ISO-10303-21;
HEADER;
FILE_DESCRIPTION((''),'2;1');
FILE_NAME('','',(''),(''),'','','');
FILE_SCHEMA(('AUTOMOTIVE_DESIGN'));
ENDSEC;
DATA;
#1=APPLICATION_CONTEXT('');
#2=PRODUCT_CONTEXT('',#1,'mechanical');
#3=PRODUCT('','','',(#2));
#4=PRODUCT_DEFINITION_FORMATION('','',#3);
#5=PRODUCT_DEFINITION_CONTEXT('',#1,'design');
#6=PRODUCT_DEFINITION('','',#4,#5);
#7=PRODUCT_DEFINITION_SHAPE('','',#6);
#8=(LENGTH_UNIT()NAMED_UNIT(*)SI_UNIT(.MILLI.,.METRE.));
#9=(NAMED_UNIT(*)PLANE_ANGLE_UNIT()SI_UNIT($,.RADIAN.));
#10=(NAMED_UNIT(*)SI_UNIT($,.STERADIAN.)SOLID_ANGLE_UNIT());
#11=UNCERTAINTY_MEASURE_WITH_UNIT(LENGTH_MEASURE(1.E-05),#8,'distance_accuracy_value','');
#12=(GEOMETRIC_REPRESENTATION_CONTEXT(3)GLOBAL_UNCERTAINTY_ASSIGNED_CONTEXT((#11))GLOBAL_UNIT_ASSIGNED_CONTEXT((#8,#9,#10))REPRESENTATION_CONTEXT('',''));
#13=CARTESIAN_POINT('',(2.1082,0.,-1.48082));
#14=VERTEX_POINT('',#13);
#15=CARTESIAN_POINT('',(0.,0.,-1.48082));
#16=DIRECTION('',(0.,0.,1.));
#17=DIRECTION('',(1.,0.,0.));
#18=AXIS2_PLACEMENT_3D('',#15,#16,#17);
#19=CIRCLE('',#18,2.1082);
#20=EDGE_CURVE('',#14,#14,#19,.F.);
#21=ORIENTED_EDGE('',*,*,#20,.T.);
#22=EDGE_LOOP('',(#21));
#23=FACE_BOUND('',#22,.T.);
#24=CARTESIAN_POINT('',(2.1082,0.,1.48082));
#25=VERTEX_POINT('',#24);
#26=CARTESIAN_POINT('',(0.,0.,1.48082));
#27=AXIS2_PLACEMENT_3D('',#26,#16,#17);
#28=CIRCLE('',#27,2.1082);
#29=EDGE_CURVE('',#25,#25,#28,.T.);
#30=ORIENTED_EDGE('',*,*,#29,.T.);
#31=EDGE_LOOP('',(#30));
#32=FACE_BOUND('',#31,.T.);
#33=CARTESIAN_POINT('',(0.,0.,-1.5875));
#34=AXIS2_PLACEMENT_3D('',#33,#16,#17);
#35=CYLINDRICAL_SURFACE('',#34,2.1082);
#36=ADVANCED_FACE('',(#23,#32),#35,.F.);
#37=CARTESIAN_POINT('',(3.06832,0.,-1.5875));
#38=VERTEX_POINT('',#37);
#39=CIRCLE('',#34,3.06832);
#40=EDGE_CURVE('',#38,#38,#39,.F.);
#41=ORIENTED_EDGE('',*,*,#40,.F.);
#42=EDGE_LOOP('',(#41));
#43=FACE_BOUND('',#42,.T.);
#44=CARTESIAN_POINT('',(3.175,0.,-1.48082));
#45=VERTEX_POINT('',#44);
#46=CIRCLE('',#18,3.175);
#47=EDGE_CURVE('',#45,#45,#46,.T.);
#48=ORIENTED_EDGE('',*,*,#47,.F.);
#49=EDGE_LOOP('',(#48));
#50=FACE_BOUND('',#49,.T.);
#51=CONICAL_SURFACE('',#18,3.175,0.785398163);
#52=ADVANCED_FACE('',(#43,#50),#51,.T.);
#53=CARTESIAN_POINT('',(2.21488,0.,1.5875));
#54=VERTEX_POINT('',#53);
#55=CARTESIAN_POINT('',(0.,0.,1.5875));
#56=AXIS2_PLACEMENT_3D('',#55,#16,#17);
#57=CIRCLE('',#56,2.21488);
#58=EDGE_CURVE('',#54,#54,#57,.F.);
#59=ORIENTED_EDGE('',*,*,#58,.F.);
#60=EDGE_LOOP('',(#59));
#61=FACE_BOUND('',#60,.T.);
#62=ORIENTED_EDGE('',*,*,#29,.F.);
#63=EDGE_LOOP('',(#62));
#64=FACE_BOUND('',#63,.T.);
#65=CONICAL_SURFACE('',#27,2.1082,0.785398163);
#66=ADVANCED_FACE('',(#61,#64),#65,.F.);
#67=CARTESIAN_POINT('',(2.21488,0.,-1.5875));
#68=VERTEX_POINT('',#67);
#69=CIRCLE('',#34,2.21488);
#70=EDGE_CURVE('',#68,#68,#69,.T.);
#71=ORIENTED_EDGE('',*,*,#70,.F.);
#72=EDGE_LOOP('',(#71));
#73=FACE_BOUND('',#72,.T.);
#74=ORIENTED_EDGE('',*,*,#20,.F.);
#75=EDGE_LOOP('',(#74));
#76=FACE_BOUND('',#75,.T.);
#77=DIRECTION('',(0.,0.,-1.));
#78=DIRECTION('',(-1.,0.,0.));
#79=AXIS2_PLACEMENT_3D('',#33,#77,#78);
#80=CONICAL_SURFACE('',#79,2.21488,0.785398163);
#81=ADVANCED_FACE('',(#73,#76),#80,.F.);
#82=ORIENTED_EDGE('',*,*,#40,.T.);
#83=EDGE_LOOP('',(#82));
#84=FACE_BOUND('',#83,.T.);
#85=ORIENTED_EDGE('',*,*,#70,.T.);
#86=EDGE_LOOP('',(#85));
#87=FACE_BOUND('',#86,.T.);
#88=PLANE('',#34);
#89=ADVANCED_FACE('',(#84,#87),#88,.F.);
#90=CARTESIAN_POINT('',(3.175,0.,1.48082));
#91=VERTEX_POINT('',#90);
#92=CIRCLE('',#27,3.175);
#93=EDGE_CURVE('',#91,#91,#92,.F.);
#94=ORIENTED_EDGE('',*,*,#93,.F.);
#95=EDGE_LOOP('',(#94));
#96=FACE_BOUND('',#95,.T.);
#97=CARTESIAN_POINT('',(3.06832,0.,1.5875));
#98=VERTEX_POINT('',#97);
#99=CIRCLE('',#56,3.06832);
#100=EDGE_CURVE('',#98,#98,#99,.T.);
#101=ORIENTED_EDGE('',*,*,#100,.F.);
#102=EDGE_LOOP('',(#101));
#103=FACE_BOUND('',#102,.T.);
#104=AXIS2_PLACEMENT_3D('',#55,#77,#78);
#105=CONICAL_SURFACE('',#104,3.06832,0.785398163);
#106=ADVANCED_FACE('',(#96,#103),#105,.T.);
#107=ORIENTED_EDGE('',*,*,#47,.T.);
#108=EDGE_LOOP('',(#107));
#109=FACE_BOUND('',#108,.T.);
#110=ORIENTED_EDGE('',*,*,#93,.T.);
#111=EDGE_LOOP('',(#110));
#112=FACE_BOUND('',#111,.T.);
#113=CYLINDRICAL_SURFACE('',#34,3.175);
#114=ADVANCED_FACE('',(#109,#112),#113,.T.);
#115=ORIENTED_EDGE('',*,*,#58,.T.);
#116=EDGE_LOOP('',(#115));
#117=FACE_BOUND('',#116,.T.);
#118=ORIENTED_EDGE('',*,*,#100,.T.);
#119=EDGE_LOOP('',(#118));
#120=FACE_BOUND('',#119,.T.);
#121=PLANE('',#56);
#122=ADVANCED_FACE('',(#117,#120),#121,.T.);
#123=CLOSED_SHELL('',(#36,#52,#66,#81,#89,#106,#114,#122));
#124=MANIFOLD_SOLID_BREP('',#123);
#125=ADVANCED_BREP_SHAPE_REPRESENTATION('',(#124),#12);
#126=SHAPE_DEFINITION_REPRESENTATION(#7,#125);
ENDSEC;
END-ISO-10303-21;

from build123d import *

# Parameters (mm, degrees)
BOSS_EXTRUDE1_DEPTH      = 1.5875
BOSS_EXTRUDE1_DEPTH_BACK = 1.5875
SKETCH3_R                = 3.175
SKETCH3_R_2              = 2.1082
CHAMFER1_SIZE            = 0.10668


with BuildPart() as part:
    # Sketch3 → Boss-Extrude1 (new, two sides: drawn at the far end of the back side and taken through both)
    with BuildSketch(Plane.XY.offset(-BOSS_EXTRUDE1_DEPTH_BACK)):
        Circle(SKETCH3_R)
        Circle(SKETCH3_R_2, mode=Mode.SUBTRACT)
    extrude(amount=BOSS_EXTRUDE1_DEPTH + BOSS_EXTRUDE1_DEPTH_BACK)

    # Chamfer1
    chamfer1_edges = [part.edges().sort_by_distance(p)[0] for p in [
        (-3.175, 0, -1.5875),
        (-2.1082, 0, -1.5875),
        (-3.175, 0, 1.5875),
        (-2.1082, 0, 1.5875),
    ]]
    chamfer(chamfer1_edges, length=CHAMFER1_SIZE)


solid = part.part
